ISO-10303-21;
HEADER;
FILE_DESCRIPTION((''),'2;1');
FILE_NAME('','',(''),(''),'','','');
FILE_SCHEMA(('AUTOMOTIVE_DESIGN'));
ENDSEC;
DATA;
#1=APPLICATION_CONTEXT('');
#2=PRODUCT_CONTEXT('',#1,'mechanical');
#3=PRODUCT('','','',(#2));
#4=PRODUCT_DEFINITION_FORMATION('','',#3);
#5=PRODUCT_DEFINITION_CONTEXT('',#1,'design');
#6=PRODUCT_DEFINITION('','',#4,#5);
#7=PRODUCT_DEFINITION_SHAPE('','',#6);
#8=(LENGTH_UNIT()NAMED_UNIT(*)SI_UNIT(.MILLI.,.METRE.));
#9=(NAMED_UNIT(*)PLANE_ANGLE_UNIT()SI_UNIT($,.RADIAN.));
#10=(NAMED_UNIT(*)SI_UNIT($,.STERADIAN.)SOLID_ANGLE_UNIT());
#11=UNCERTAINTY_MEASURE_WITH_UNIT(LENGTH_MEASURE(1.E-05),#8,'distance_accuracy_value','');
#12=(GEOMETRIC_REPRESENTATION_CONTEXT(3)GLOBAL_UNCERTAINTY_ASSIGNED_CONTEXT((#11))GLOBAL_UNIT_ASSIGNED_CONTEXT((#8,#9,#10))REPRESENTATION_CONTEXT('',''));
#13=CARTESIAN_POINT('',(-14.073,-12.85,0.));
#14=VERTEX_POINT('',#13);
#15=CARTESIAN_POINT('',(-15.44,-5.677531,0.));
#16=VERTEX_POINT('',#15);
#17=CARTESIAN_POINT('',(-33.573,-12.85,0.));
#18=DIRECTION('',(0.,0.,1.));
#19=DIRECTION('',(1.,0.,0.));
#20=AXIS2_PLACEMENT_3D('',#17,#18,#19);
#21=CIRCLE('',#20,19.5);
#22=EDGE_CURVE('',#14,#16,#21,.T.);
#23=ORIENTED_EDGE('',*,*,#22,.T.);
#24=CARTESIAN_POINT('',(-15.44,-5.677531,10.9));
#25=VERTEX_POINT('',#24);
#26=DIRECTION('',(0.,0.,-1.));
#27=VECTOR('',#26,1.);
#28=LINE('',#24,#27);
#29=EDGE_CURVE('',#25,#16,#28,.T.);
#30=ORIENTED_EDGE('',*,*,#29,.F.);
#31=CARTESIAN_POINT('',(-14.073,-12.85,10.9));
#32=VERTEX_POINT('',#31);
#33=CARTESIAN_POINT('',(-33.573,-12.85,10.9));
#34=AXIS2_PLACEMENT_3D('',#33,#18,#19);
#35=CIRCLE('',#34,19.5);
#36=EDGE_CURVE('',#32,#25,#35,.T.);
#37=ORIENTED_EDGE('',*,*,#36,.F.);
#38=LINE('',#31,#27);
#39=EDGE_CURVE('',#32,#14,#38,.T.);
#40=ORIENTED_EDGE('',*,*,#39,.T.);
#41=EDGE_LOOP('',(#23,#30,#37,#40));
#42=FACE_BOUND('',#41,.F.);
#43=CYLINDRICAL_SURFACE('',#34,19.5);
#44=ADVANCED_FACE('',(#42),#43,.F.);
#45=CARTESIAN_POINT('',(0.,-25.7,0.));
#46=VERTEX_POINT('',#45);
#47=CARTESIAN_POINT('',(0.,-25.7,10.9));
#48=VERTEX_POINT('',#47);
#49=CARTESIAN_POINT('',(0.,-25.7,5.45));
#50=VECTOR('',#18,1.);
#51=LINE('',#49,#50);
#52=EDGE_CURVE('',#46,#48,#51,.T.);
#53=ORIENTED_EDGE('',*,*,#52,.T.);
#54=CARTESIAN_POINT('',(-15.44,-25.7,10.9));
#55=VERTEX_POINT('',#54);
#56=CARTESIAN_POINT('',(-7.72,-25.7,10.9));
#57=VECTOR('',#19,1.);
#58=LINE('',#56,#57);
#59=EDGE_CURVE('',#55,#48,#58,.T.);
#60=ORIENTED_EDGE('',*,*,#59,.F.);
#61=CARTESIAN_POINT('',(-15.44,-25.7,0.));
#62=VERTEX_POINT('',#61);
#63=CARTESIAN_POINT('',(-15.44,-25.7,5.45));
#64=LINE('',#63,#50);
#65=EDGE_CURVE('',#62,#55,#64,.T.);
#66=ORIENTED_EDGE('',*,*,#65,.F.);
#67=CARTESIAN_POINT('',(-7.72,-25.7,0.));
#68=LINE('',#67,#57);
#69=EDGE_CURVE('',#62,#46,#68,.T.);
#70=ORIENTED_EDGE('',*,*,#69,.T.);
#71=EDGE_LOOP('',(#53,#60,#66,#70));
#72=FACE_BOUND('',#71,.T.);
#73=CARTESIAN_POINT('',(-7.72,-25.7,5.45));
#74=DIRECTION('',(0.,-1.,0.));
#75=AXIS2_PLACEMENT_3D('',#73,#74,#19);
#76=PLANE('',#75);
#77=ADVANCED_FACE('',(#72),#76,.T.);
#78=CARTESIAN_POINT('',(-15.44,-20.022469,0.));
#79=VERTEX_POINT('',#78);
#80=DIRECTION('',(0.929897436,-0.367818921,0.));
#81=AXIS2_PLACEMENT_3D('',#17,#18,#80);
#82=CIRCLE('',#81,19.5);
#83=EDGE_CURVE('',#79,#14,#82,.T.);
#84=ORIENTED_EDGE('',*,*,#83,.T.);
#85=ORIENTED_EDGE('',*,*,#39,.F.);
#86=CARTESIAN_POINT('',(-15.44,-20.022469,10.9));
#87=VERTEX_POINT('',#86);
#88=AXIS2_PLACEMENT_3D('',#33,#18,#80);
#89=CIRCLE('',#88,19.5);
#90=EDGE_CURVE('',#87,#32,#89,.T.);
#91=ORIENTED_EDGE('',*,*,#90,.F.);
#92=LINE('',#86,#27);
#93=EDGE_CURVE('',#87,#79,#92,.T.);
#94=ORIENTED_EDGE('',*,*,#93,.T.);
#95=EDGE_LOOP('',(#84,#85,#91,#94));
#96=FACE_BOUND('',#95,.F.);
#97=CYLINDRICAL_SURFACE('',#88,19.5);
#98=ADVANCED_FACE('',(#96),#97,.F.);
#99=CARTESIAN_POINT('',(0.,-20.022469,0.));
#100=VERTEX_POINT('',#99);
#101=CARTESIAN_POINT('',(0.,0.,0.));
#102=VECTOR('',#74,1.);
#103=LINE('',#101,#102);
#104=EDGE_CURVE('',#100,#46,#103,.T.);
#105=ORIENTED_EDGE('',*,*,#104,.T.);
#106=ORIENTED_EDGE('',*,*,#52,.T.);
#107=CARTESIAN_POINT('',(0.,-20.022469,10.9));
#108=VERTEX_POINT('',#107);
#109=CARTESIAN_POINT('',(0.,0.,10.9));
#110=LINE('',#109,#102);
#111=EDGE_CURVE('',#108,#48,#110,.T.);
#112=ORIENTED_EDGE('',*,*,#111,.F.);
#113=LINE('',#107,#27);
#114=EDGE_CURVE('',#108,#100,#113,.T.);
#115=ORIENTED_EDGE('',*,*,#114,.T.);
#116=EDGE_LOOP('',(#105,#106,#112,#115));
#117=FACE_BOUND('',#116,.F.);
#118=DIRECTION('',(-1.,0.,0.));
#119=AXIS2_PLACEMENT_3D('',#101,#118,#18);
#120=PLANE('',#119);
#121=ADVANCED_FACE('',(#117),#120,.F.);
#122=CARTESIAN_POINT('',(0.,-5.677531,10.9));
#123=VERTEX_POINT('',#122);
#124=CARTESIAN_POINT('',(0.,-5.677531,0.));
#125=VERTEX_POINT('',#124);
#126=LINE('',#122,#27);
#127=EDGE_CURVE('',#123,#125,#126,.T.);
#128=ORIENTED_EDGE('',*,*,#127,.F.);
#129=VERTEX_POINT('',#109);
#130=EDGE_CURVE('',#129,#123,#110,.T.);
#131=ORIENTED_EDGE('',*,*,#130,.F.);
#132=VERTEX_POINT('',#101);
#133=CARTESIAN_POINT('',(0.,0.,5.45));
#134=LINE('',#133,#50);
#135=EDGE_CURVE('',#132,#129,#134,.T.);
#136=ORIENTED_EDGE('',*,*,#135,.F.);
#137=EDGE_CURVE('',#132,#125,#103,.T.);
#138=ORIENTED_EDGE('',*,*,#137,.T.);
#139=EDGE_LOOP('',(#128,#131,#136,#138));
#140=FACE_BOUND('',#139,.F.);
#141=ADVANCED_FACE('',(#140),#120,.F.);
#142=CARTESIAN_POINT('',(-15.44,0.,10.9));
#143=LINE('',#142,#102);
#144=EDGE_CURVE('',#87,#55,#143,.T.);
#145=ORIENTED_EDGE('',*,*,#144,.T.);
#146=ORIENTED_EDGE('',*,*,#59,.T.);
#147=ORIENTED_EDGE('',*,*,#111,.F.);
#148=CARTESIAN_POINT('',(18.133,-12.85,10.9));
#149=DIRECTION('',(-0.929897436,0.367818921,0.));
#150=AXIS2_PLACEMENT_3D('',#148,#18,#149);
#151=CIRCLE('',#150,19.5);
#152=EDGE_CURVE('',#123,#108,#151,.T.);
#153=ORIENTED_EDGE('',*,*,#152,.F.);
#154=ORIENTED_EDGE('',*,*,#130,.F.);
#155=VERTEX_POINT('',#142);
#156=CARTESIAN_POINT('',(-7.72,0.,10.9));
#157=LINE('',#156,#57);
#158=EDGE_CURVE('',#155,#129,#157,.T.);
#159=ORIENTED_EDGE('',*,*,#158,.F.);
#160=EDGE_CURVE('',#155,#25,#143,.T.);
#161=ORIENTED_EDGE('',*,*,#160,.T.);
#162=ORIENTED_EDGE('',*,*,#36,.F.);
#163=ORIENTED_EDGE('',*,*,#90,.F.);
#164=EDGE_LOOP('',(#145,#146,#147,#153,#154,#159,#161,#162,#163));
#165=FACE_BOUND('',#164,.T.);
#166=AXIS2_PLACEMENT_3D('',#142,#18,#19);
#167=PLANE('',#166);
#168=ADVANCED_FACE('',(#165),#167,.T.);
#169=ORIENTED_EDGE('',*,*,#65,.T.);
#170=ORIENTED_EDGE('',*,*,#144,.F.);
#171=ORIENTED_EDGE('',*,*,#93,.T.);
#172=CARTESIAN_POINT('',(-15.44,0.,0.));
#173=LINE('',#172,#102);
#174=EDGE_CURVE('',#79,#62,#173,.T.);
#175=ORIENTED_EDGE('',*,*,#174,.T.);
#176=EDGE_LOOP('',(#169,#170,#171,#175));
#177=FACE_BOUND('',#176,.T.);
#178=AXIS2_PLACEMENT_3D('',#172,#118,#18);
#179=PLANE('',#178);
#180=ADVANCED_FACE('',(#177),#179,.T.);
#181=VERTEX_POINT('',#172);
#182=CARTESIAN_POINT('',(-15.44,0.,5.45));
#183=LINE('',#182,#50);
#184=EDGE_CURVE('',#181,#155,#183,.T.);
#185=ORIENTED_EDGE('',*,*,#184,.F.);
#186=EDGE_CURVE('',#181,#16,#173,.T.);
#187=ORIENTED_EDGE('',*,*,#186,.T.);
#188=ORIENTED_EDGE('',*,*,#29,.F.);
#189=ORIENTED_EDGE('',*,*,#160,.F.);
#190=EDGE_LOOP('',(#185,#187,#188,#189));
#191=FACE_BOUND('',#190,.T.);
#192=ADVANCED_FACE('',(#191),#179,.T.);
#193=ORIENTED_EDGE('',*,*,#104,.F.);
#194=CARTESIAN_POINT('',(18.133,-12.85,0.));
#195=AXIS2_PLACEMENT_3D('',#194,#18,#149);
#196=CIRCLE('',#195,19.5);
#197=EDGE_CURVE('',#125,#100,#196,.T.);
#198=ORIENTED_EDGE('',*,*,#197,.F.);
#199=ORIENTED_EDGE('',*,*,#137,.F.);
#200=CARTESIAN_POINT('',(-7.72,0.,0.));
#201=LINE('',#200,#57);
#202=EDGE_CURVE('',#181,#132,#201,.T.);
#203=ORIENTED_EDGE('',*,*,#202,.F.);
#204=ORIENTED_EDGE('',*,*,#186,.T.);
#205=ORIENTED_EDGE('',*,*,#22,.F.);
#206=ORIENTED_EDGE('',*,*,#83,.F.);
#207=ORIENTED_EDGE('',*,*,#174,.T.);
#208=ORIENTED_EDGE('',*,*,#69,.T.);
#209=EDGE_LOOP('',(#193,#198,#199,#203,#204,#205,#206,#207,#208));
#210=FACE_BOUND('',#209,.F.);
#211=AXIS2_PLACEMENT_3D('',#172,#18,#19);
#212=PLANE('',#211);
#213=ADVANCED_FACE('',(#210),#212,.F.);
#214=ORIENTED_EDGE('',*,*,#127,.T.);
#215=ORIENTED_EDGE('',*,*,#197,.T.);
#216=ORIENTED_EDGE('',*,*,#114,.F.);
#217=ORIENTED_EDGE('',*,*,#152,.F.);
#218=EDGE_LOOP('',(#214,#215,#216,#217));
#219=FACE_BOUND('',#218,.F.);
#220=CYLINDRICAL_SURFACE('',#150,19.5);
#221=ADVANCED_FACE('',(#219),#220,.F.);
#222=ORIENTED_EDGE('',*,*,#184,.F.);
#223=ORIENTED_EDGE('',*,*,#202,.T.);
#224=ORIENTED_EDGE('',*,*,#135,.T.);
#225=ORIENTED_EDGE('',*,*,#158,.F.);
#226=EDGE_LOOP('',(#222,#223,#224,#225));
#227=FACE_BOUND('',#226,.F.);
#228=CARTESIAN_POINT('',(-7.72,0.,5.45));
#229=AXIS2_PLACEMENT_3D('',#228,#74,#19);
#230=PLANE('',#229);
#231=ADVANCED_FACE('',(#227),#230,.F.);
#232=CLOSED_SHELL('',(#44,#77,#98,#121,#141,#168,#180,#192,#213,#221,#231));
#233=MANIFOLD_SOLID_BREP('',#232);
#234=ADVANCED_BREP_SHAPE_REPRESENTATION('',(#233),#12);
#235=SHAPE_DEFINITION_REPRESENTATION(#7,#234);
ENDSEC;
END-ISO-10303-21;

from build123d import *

# Parameters (mm, degrees)
F0_W     = 15.44
F0_H     = 10.9
F1_DEPTH = 25.7
F3_DEPTH = 10.901


with BuildPart() as f1:
    # F0 (on Front) → F1 (new body)
    with BuildSketch(Plane.XZ):
        with Locations((-7.72, 5.45)):
            Rectangle(F0_W, F0_H)
    extrude(amount=F1_DEPTH)

    # F2 (on face) → F3 (cut, through all)
    with BuildSketch(Plane.XY.offset(10.9)):
        with BuildLine():
            ThreePointArc((-15.44, -20.0224689612), (-14.4177983566, -16.5007875863), (-14.073, -12.85))
            ThreePointArc((-14.073, -12.85), (-14.4177983566, -9.1992124137), (-15.44, -5.6775310388))
            Line((-15.44, -5.6775310388), (-15.44, -20.0224689612))
        make_face()
        with BuildLine():
            Line((0, -20.0224689612), (0, -5.6775310388))
            ThreePointArc((0, -5.6775310388), (-1.367, -12.85), (0, -20.0224689612))
        make_face()
    extrude(amount=-F3_DEPTH, mode=Mode.SUBTRACT)


solid = f1.part
